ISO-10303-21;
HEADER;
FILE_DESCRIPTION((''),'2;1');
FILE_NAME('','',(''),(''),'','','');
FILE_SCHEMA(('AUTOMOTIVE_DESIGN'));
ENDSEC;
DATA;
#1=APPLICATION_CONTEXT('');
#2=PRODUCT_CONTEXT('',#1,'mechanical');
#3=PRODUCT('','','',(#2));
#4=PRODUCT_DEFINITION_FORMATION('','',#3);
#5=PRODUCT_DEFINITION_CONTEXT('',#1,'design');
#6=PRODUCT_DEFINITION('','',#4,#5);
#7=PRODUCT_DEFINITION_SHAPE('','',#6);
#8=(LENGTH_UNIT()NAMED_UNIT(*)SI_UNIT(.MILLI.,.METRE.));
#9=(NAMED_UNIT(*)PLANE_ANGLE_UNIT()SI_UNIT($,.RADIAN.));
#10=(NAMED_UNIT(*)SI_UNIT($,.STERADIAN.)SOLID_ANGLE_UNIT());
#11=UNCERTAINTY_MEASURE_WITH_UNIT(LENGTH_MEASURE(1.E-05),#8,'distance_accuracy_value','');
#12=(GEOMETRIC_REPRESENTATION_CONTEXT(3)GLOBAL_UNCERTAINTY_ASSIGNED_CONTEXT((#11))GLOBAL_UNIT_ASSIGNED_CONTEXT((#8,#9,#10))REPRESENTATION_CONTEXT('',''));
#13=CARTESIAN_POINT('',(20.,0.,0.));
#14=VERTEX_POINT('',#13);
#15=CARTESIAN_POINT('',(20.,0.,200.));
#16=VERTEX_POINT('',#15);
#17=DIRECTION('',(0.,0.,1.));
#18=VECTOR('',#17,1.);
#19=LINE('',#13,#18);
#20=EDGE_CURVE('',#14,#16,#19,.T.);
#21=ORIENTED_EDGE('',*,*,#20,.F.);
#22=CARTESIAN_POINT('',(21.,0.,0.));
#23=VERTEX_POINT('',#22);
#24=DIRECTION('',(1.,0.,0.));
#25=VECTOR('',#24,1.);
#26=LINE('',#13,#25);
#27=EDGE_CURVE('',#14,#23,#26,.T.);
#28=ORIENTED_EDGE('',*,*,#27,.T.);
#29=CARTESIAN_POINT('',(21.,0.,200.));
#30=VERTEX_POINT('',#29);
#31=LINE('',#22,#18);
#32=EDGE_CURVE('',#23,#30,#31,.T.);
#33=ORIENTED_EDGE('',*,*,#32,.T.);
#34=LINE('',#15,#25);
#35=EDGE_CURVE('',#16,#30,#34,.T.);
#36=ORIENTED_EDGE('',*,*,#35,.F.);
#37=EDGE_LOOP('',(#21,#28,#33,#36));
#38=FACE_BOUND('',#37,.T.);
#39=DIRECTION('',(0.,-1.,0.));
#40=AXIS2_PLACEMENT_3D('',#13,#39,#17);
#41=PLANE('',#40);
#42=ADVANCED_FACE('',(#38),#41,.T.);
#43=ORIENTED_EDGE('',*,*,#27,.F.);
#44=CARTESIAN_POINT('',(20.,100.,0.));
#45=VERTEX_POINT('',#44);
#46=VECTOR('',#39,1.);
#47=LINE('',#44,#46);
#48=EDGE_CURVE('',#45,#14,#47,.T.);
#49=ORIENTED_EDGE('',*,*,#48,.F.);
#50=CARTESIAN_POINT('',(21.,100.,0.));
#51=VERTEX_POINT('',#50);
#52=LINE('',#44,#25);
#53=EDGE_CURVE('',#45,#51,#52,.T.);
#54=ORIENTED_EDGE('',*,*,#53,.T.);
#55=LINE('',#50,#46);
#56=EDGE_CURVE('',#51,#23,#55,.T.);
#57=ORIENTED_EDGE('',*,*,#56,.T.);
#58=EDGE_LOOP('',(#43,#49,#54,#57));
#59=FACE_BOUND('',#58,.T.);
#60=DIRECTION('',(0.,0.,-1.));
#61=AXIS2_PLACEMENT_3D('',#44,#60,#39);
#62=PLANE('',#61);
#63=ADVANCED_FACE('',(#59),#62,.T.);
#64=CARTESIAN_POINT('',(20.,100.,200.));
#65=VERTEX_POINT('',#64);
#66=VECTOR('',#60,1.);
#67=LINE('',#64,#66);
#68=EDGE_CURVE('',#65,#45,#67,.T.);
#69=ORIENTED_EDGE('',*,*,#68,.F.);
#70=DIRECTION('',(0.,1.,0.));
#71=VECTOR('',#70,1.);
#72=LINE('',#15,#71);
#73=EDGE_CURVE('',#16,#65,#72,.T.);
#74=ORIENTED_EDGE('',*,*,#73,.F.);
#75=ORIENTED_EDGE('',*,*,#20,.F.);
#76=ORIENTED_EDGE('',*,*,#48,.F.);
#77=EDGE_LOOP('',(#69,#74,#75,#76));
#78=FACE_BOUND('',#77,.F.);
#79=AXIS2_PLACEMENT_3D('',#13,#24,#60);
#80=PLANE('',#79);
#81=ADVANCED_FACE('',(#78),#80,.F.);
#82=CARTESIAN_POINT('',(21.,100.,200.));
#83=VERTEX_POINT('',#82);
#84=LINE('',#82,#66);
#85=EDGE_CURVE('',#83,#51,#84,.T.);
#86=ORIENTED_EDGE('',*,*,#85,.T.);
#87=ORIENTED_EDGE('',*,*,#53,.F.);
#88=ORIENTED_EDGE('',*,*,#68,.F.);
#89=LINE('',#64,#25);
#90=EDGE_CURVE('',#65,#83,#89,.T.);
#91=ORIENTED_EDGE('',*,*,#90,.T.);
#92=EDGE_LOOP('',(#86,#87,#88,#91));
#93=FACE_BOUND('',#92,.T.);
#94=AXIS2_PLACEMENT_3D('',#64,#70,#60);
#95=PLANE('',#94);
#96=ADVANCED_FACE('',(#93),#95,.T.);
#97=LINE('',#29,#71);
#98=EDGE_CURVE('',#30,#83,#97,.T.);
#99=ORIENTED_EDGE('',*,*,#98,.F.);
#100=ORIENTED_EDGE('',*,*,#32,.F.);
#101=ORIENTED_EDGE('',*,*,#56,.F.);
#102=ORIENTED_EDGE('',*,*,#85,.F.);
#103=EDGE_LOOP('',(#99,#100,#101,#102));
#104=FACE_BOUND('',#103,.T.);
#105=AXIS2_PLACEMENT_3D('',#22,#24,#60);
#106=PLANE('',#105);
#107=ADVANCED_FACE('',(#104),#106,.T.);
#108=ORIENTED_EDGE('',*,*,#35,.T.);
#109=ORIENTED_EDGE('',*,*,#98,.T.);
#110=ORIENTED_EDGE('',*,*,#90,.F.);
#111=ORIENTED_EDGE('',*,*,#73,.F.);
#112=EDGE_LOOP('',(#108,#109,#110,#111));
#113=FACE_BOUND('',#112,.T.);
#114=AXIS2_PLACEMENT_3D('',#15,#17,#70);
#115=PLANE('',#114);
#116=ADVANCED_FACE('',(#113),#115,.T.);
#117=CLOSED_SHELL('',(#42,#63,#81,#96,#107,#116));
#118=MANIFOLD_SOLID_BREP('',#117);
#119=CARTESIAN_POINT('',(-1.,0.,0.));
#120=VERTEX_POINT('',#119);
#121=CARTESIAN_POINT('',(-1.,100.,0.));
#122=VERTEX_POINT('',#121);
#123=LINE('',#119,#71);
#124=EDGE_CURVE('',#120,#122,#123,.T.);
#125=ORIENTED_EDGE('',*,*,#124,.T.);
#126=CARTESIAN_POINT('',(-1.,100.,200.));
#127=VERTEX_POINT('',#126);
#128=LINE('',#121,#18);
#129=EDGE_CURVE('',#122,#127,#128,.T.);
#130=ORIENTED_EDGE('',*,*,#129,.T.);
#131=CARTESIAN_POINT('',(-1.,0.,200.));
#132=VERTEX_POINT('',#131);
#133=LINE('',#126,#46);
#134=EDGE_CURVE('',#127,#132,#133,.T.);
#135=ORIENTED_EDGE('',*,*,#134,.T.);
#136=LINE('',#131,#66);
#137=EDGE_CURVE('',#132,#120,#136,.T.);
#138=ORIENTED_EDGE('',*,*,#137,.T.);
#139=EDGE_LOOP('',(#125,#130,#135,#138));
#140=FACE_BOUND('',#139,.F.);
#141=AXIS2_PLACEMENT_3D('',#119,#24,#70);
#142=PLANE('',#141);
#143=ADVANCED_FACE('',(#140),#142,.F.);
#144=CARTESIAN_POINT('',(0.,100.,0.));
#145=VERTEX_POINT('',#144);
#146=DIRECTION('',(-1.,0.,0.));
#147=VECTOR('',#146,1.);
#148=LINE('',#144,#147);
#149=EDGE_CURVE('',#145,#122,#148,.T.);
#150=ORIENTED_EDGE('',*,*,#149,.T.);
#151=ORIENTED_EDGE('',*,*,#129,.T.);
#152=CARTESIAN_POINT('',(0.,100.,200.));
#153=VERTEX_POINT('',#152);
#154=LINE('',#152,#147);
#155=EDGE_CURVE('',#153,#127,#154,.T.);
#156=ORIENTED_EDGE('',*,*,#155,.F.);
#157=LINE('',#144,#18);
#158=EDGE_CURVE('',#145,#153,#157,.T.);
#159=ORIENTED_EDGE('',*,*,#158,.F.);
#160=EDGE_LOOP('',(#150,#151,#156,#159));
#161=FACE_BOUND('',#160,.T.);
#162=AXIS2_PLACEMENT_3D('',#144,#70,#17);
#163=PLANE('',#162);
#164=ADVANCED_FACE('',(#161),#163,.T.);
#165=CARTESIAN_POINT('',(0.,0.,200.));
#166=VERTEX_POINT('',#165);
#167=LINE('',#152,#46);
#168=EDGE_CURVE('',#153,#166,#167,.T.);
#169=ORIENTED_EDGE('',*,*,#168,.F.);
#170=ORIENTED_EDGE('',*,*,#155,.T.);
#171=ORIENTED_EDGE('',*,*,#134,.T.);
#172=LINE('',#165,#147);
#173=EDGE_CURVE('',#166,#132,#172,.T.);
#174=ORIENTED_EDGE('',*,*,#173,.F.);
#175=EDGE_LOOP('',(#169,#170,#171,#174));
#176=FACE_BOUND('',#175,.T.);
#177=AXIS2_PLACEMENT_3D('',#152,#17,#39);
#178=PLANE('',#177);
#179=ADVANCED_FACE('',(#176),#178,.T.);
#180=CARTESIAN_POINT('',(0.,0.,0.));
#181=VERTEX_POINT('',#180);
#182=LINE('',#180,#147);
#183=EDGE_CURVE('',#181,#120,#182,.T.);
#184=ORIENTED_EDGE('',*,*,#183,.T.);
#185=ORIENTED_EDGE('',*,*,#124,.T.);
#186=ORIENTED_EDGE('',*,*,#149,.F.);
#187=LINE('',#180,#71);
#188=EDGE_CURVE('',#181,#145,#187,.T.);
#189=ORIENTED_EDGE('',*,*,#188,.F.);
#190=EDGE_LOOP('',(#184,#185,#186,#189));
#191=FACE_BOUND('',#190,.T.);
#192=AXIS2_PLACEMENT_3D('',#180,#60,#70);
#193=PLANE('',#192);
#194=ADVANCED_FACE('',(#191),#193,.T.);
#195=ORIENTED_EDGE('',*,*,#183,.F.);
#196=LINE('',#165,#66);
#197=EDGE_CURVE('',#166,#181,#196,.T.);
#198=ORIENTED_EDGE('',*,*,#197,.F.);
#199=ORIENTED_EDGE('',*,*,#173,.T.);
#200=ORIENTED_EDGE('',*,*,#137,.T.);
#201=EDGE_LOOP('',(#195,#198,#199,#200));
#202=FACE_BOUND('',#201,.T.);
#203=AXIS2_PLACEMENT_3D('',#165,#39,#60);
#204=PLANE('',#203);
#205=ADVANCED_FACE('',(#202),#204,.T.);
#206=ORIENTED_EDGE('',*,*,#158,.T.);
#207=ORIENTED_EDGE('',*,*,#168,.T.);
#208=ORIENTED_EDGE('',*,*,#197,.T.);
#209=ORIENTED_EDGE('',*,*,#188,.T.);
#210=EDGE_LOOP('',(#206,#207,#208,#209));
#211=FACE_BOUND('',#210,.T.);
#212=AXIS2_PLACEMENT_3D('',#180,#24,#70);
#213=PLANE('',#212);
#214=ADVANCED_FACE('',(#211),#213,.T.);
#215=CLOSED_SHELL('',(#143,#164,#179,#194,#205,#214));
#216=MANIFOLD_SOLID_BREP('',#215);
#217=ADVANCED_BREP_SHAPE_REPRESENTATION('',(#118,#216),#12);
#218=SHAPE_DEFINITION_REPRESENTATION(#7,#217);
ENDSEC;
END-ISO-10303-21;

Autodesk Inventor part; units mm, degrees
ref_plane "YZ Plane" through (0, 0, 0) normal (1, 0, 0) x (0, 1, 0)
ref_plane "XZ Plane" through (0, 0, 0) normal (0, 1, 0) x (-1, 0, 0)
ref_plane "XY Plane" through (0, 0, 0) normal (0, 0, 1) x (1, 0, 0)
sketch "Sketch3" plane through (0, 0, 0) normal (1, 0, 0) x (0, 1, 0)
  line L0 (0, 0) -> (100, 0)
  line L1 (100, 0) -> (100, 200)
  line L2 (100, 200) -> (0, 200)
  line L3 (0, 200) -> (0, 0)
  dimension "d9" = 100
  dimension "d10" = 200
extrude "Extrusion3" add sketch "Sketch3" against normal blind 1
ref_plane "Work Plane2" through (20, 0, 0) normal (1, 0, 0) x (0, 0, -1)
sketch "Sketch4" plane through (20, 0, 0) normal (1, 0, 0) x (0, 0, -1)
  line L0 (0, 100) -> (0, 0) projected
  line L1 (-200, 0) -> (-200, 100) projected
  line L2 (0, 0) -> (-200, 0)
  line L3 (-200, 0) -> (-200, 100)
  line L4 (-200, 100) -> (0, 100)
  line L5 (0, 100) -> (0, 0)
extrude "Extrusion4" add sketch "Sketch4" along normal blind 1
properties part number "walls_yz"
